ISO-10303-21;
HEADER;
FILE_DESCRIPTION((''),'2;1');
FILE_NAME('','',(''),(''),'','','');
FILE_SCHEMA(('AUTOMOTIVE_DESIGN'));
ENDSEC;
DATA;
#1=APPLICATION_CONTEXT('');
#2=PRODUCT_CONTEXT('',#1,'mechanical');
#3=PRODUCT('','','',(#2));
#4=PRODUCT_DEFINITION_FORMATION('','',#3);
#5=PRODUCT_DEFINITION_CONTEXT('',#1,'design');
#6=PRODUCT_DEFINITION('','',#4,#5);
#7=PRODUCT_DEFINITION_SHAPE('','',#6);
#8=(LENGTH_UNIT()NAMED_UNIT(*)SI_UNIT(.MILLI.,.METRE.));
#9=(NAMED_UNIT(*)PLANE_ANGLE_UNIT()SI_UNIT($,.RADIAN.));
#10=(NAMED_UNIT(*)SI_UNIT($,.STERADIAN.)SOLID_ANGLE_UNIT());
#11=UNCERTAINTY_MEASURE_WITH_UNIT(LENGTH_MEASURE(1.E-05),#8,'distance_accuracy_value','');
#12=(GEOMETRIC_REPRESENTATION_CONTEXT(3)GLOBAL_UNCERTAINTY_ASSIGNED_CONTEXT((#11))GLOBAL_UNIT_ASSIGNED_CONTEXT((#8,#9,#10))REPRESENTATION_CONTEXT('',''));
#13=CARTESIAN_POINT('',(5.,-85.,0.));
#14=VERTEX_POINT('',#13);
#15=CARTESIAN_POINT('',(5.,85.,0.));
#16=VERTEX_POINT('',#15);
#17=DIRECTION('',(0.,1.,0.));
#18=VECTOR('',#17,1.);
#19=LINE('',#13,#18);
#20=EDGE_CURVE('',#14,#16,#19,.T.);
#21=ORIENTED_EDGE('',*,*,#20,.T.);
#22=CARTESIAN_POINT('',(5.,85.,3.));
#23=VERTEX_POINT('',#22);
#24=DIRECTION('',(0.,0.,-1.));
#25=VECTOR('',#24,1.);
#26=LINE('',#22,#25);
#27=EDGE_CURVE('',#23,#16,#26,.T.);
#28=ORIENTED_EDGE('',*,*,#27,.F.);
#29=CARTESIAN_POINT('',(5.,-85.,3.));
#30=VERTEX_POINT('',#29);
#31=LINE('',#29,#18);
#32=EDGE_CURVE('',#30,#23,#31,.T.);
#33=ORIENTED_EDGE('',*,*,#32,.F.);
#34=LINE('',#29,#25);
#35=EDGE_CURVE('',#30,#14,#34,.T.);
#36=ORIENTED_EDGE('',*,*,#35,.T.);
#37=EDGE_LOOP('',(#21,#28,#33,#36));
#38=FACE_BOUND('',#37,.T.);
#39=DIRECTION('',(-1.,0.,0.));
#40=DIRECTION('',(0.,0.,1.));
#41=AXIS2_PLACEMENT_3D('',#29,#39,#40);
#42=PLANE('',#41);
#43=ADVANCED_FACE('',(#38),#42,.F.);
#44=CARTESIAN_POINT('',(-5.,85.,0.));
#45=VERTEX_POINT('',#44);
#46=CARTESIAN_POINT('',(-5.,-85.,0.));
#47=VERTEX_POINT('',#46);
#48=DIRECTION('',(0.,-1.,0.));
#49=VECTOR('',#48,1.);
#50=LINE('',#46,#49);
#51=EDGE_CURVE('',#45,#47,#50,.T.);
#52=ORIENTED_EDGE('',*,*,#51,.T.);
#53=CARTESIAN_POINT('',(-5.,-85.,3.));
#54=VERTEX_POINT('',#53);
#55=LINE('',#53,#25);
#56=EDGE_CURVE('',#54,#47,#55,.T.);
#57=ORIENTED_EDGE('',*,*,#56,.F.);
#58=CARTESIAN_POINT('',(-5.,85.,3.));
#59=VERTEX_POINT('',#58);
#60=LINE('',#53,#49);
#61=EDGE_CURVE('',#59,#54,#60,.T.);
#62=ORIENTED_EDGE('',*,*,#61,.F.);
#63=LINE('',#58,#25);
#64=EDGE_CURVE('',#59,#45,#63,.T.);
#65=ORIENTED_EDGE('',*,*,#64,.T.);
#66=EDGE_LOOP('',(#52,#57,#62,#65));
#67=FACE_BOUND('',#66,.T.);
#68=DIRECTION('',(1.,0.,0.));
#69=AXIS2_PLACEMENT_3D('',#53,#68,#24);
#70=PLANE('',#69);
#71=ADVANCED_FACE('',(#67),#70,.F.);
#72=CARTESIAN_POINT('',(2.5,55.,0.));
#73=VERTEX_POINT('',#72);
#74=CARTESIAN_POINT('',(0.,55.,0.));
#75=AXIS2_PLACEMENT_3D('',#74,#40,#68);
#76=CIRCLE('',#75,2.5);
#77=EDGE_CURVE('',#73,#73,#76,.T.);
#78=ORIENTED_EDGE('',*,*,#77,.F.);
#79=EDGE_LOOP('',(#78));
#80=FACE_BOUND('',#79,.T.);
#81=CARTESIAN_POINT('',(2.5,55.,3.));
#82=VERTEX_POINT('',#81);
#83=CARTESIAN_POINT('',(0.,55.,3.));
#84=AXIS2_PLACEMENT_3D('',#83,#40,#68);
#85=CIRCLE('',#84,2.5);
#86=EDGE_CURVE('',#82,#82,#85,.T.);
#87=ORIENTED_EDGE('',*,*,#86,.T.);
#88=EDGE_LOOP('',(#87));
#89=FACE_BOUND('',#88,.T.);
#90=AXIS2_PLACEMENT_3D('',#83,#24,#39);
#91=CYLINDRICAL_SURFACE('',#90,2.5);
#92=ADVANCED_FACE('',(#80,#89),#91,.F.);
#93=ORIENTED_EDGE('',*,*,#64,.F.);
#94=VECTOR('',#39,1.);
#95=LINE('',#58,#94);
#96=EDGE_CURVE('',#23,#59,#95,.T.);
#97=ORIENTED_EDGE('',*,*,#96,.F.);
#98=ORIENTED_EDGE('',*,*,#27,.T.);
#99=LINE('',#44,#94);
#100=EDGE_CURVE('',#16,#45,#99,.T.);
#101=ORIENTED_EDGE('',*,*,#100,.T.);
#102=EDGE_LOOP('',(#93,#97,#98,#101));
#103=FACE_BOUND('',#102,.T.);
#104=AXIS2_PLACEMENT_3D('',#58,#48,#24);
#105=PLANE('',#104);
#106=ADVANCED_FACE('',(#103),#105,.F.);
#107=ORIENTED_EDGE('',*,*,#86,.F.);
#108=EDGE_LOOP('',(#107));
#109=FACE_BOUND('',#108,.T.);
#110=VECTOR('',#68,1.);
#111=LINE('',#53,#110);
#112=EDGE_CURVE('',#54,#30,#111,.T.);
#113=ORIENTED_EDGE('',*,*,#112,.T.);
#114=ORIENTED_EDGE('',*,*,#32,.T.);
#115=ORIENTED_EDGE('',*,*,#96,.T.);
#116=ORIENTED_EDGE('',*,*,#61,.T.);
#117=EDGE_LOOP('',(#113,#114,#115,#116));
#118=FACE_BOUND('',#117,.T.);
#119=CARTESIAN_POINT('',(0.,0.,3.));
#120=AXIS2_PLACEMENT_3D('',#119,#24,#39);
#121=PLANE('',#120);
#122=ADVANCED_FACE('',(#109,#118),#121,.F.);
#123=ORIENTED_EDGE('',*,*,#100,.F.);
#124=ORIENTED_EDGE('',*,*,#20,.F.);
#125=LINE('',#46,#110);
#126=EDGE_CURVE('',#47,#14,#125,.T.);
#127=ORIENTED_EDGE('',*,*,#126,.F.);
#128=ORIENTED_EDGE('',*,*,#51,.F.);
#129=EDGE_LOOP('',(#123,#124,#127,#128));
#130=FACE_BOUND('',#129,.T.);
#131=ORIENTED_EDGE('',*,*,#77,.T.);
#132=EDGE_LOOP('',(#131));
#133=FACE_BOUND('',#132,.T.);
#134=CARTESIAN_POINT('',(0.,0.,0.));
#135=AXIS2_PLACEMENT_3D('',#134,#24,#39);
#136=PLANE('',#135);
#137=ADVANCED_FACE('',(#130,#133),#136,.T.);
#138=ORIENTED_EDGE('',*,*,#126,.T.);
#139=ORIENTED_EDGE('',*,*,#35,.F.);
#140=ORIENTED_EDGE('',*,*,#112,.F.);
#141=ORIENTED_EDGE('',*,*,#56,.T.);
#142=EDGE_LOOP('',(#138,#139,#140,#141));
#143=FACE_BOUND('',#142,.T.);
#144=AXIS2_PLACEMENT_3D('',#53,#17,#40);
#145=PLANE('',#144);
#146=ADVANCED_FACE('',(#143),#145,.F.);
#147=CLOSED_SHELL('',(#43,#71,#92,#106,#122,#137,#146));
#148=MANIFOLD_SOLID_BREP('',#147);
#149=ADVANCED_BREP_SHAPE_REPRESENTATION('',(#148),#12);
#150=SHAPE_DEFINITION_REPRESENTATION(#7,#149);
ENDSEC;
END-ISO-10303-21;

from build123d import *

# Parameters (mm, degrees)
SKETCH_1_W      = 10
SKETCH_1_H      = 170
SKETCH_1_R      = 2.5
EXTRUDE_1_DEPTH = 3


with BuildPart() as part:
    # 草圖1 → 填料-伸長1 (new body)
    with BuildSketch(Plane.XY):
        Rectangle(SKETCH_1_W, SKETCH_1_H)
        with Locations((0, 55)):
            Circle(SKETCH_1_R, mode=Mode.SUBTRACT)
    extrude(amount=EXTRUDE_1_DEPTH)


solid = part.part
